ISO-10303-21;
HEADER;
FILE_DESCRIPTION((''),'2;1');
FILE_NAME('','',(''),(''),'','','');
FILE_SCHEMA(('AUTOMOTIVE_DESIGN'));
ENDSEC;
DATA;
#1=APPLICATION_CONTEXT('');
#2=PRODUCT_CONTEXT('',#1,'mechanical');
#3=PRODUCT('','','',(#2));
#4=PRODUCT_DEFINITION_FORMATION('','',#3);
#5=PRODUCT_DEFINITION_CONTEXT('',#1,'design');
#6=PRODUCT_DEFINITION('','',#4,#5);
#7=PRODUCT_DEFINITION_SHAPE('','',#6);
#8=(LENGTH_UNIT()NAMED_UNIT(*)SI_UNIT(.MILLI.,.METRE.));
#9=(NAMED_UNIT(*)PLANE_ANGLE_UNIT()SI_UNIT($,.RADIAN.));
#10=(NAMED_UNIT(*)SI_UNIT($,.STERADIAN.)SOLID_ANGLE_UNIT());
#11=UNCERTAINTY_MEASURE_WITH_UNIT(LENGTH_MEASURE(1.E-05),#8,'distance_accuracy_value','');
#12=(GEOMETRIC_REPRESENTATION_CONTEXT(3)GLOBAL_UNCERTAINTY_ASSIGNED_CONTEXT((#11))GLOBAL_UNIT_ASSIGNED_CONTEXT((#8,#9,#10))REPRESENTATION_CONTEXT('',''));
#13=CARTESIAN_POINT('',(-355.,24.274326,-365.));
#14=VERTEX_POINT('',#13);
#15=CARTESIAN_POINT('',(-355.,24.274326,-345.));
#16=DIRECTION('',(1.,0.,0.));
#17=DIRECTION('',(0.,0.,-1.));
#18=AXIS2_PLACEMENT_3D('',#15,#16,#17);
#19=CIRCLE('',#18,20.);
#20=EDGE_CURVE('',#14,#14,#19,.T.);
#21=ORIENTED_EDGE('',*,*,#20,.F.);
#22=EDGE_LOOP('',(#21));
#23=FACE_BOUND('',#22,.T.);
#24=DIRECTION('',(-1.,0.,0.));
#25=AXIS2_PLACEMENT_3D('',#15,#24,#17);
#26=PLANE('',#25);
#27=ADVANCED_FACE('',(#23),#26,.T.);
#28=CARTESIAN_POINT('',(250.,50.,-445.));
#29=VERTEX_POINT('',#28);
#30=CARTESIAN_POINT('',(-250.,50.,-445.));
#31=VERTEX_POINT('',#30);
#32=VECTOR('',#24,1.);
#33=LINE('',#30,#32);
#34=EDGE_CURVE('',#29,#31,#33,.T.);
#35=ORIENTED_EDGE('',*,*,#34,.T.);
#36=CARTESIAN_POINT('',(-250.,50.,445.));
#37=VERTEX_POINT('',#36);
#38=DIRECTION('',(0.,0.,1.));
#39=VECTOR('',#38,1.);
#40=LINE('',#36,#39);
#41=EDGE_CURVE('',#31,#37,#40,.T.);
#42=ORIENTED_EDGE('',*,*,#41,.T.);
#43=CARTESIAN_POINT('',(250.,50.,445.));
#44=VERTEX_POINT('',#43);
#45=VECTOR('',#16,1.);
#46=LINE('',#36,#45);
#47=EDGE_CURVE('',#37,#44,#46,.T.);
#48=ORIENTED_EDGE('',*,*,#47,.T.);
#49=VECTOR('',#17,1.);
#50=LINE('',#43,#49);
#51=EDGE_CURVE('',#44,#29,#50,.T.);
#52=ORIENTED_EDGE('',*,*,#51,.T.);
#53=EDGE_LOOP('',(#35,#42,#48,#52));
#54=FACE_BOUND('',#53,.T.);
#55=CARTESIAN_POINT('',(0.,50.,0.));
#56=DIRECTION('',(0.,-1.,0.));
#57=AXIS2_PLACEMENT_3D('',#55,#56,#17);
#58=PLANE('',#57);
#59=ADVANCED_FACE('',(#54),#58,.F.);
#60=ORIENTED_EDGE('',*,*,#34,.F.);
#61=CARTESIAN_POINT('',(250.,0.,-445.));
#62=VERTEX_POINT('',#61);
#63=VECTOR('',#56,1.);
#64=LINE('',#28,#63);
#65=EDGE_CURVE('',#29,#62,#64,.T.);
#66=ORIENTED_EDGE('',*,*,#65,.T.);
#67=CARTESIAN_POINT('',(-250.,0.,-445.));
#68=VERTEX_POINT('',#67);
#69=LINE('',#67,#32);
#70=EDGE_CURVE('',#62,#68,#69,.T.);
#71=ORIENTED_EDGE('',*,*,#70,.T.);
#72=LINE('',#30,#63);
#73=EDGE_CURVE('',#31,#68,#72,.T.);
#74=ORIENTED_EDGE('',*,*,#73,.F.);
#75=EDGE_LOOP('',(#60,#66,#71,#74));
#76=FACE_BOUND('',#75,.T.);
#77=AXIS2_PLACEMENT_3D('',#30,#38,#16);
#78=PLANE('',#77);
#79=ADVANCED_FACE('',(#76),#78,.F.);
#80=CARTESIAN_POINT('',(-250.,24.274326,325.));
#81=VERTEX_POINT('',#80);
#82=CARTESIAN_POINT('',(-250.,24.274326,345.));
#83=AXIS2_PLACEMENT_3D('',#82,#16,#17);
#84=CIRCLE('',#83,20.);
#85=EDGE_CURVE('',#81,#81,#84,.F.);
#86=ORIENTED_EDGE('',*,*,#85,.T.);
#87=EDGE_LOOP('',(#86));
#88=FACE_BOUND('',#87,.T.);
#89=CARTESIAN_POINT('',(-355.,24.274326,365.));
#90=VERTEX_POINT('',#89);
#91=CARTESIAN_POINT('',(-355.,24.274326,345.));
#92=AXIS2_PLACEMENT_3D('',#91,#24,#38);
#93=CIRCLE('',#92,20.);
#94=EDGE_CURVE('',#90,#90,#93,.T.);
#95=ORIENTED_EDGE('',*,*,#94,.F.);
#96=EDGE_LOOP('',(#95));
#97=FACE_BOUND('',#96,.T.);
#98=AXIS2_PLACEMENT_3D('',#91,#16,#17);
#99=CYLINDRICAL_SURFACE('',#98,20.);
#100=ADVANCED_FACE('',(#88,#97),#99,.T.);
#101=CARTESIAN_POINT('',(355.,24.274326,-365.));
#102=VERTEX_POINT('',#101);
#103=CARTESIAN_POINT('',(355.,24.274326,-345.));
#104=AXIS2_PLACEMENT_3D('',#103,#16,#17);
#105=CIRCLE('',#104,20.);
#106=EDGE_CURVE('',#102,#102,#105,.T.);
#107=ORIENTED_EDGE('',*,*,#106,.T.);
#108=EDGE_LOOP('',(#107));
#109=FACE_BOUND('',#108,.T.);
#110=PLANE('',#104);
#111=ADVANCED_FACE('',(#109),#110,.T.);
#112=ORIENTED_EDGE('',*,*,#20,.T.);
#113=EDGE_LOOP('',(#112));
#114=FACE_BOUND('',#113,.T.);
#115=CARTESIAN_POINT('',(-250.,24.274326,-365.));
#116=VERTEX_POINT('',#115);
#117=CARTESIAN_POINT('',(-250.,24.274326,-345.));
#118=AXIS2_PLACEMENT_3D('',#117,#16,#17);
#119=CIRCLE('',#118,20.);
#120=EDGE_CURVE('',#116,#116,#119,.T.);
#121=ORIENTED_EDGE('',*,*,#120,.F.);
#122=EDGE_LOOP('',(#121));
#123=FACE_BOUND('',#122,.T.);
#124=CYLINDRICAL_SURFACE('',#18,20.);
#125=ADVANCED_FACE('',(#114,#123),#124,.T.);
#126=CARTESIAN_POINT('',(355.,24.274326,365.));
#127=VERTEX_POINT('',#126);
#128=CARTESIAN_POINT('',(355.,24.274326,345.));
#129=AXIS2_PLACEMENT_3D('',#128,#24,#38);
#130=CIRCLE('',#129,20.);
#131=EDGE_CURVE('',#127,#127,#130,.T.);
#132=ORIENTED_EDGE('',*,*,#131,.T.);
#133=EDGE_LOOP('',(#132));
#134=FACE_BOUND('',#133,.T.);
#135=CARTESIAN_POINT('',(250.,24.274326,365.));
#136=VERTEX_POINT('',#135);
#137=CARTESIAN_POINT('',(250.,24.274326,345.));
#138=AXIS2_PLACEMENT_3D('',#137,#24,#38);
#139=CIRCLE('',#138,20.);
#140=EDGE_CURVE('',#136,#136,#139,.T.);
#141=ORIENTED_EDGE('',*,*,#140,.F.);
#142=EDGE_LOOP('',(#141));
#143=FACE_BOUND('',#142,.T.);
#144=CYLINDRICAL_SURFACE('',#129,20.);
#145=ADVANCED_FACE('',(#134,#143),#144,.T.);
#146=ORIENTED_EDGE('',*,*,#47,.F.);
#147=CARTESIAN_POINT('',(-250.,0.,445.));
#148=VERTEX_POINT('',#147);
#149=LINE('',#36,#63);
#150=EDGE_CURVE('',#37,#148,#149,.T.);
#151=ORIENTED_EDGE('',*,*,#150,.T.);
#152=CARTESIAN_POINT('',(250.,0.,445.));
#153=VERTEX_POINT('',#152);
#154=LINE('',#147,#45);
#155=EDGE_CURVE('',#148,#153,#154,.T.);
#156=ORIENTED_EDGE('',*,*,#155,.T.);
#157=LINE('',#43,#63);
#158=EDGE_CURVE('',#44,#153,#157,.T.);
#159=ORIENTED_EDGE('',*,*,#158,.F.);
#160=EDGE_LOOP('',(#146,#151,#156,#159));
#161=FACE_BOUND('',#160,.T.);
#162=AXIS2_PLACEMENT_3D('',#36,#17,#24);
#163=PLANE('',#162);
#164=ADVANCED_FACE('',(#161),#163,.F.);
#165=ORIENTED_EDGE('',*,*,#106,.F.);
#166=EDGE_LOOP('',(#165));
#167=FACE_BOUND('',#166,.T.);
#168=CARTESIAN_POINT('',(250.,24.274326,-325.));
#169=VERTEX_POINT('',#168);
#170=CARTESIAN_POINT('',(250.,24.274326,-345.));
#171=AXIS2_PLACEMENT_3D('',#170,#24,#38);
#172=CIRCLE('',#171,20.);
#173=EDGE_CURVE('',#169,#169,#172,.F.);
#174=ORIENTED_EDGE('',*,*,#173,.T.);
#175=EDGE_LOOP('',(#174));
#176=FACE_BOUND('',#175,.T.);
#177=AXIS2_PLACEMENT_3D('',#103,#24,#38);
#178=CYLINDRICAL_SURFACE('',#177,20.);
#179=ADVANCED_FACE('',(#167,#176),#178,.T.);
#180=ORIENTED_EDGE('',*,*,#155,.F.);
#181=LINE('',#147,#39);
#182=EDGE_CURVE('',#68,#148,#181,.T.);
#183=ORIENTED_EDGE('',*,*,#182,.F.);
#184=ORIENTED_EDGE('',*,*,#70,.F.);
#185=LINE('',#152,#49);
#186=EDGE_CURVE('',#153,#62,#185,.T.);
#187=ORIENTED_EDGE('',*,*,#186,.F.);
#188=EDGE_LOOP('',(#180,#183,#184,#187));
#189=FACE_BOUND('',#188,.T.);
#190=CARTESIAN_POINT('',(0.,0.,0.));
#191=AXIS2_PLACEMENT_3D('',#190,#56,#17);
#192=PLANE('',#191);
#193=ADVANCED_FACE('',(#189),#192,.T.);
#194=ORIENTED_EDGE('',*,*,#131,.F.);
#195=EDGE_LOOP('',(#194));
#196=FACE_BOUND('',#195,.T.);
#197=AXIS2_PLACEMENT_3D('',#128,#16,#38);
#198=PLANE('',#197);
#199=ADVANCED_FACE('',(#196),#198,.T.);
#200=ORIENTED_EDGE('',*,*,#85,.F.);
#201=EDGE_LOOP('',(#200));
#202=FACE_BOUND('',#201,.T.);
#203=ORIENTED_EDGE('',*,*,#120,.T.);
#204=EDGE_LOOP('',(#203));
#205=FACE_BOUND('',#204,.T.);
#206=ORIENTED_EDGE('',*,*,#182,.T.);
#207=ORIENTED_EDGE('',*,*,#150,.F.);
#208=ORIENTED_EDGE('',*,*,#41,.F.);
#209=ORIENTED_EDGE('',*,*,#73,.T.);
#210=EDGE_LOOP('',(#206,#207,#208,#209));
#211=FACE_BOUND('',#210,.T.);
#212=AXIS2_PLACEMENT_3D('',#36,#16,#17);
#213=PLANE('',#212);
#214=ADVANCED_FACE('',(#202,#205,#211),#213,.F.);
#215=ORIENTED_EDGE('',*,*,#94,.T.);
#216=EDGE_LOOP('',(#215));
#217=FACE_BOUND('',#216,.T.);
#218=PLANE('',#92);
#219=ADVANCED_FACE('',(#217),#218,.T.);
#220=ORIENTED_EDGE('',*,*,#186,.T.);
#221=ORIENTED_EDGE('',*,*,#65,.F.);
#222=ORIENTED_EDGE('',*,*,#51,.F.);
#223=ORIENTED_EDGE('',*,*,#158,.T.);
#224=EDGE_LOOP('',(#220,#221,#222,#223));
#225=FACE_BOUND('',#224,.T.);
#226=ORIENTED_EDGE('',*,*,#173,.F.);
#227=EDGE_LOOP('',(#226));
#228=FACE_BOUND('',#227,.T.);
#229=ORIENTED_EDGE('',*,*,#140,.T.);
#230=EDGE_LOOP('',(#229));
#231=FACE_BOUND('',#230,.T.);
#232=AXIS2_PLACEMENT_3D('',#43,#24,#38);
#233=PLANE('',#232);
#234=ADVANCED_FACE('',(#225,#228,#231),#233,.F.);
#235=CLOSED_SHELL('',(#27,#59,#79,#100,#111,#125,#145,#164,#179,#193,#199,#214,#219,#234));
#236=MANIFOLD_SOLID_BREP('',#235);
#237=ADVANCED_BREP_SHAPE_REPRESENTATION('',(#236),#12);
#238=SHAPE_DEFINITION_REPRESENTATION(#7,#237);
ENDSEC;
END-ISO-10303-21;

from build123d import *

# Parameters (mm, degrees)
SKETCH1_W               = 500
SKETCH1_H               = 890
BOSS_EXTRUDE1_DEPTH     = 50
SKETCH2_R               = 20
BOSS_EXTRUDE2_DEPTH     = 105
MIRROR2_COPY_1_SKETCH_R = 20
MIRROR2_COPY_1_DEPTH    = 105


with BuildPart() as part:
    # Sketch1 → Boss-Extrude1 (new body)
    with BuildSketch(Plane(origin=(0, 0, 0), x_dir=(1, 0, 0), z_dir=(0, 1, 0))):
        Rectangle(SKETCH1_W, SKETCH1_H)
    extrude(amount=BOSS_EXTRUDE1_DEPTH)

    # Sketch2 → Boss-Extrude2 (add)
    with BuildSketch(Plane(origin=(250, 0, 0), x_dir=(0, 0, -1), z_dir=(1, 0, 0))):
        with Locations((345, 24.274325974)):
            Circle(SKETCH2_R)
    boss_extrude2 = extrude(amount=BOSS_EXTRUDE2_DEPTH)

    # Mirror1: Boss-Extrude2 across plane
    add(boss_extrude2.mirror(Plane.XY))

    # Mirror2: Boss-Extrude2 across plane
    add(boss_extrude2.mirror(Plane(origin=(0, 0, 0), x_dir=(0, 0, 1), z_dir=(1, 0, 0))))

    # Mirror2 copy 1 sketch → Mirror2 copy 1 (add)
    with BuildSketch(Plane.ZY.offset(250)):
        with Locations((345, 24.274325974)):
            Circle(MIRROR2_COPY_1_SKETCH_R)
    extrude(amount=MIRROR2_COPY_1_DEPTH)


solid = part.part
